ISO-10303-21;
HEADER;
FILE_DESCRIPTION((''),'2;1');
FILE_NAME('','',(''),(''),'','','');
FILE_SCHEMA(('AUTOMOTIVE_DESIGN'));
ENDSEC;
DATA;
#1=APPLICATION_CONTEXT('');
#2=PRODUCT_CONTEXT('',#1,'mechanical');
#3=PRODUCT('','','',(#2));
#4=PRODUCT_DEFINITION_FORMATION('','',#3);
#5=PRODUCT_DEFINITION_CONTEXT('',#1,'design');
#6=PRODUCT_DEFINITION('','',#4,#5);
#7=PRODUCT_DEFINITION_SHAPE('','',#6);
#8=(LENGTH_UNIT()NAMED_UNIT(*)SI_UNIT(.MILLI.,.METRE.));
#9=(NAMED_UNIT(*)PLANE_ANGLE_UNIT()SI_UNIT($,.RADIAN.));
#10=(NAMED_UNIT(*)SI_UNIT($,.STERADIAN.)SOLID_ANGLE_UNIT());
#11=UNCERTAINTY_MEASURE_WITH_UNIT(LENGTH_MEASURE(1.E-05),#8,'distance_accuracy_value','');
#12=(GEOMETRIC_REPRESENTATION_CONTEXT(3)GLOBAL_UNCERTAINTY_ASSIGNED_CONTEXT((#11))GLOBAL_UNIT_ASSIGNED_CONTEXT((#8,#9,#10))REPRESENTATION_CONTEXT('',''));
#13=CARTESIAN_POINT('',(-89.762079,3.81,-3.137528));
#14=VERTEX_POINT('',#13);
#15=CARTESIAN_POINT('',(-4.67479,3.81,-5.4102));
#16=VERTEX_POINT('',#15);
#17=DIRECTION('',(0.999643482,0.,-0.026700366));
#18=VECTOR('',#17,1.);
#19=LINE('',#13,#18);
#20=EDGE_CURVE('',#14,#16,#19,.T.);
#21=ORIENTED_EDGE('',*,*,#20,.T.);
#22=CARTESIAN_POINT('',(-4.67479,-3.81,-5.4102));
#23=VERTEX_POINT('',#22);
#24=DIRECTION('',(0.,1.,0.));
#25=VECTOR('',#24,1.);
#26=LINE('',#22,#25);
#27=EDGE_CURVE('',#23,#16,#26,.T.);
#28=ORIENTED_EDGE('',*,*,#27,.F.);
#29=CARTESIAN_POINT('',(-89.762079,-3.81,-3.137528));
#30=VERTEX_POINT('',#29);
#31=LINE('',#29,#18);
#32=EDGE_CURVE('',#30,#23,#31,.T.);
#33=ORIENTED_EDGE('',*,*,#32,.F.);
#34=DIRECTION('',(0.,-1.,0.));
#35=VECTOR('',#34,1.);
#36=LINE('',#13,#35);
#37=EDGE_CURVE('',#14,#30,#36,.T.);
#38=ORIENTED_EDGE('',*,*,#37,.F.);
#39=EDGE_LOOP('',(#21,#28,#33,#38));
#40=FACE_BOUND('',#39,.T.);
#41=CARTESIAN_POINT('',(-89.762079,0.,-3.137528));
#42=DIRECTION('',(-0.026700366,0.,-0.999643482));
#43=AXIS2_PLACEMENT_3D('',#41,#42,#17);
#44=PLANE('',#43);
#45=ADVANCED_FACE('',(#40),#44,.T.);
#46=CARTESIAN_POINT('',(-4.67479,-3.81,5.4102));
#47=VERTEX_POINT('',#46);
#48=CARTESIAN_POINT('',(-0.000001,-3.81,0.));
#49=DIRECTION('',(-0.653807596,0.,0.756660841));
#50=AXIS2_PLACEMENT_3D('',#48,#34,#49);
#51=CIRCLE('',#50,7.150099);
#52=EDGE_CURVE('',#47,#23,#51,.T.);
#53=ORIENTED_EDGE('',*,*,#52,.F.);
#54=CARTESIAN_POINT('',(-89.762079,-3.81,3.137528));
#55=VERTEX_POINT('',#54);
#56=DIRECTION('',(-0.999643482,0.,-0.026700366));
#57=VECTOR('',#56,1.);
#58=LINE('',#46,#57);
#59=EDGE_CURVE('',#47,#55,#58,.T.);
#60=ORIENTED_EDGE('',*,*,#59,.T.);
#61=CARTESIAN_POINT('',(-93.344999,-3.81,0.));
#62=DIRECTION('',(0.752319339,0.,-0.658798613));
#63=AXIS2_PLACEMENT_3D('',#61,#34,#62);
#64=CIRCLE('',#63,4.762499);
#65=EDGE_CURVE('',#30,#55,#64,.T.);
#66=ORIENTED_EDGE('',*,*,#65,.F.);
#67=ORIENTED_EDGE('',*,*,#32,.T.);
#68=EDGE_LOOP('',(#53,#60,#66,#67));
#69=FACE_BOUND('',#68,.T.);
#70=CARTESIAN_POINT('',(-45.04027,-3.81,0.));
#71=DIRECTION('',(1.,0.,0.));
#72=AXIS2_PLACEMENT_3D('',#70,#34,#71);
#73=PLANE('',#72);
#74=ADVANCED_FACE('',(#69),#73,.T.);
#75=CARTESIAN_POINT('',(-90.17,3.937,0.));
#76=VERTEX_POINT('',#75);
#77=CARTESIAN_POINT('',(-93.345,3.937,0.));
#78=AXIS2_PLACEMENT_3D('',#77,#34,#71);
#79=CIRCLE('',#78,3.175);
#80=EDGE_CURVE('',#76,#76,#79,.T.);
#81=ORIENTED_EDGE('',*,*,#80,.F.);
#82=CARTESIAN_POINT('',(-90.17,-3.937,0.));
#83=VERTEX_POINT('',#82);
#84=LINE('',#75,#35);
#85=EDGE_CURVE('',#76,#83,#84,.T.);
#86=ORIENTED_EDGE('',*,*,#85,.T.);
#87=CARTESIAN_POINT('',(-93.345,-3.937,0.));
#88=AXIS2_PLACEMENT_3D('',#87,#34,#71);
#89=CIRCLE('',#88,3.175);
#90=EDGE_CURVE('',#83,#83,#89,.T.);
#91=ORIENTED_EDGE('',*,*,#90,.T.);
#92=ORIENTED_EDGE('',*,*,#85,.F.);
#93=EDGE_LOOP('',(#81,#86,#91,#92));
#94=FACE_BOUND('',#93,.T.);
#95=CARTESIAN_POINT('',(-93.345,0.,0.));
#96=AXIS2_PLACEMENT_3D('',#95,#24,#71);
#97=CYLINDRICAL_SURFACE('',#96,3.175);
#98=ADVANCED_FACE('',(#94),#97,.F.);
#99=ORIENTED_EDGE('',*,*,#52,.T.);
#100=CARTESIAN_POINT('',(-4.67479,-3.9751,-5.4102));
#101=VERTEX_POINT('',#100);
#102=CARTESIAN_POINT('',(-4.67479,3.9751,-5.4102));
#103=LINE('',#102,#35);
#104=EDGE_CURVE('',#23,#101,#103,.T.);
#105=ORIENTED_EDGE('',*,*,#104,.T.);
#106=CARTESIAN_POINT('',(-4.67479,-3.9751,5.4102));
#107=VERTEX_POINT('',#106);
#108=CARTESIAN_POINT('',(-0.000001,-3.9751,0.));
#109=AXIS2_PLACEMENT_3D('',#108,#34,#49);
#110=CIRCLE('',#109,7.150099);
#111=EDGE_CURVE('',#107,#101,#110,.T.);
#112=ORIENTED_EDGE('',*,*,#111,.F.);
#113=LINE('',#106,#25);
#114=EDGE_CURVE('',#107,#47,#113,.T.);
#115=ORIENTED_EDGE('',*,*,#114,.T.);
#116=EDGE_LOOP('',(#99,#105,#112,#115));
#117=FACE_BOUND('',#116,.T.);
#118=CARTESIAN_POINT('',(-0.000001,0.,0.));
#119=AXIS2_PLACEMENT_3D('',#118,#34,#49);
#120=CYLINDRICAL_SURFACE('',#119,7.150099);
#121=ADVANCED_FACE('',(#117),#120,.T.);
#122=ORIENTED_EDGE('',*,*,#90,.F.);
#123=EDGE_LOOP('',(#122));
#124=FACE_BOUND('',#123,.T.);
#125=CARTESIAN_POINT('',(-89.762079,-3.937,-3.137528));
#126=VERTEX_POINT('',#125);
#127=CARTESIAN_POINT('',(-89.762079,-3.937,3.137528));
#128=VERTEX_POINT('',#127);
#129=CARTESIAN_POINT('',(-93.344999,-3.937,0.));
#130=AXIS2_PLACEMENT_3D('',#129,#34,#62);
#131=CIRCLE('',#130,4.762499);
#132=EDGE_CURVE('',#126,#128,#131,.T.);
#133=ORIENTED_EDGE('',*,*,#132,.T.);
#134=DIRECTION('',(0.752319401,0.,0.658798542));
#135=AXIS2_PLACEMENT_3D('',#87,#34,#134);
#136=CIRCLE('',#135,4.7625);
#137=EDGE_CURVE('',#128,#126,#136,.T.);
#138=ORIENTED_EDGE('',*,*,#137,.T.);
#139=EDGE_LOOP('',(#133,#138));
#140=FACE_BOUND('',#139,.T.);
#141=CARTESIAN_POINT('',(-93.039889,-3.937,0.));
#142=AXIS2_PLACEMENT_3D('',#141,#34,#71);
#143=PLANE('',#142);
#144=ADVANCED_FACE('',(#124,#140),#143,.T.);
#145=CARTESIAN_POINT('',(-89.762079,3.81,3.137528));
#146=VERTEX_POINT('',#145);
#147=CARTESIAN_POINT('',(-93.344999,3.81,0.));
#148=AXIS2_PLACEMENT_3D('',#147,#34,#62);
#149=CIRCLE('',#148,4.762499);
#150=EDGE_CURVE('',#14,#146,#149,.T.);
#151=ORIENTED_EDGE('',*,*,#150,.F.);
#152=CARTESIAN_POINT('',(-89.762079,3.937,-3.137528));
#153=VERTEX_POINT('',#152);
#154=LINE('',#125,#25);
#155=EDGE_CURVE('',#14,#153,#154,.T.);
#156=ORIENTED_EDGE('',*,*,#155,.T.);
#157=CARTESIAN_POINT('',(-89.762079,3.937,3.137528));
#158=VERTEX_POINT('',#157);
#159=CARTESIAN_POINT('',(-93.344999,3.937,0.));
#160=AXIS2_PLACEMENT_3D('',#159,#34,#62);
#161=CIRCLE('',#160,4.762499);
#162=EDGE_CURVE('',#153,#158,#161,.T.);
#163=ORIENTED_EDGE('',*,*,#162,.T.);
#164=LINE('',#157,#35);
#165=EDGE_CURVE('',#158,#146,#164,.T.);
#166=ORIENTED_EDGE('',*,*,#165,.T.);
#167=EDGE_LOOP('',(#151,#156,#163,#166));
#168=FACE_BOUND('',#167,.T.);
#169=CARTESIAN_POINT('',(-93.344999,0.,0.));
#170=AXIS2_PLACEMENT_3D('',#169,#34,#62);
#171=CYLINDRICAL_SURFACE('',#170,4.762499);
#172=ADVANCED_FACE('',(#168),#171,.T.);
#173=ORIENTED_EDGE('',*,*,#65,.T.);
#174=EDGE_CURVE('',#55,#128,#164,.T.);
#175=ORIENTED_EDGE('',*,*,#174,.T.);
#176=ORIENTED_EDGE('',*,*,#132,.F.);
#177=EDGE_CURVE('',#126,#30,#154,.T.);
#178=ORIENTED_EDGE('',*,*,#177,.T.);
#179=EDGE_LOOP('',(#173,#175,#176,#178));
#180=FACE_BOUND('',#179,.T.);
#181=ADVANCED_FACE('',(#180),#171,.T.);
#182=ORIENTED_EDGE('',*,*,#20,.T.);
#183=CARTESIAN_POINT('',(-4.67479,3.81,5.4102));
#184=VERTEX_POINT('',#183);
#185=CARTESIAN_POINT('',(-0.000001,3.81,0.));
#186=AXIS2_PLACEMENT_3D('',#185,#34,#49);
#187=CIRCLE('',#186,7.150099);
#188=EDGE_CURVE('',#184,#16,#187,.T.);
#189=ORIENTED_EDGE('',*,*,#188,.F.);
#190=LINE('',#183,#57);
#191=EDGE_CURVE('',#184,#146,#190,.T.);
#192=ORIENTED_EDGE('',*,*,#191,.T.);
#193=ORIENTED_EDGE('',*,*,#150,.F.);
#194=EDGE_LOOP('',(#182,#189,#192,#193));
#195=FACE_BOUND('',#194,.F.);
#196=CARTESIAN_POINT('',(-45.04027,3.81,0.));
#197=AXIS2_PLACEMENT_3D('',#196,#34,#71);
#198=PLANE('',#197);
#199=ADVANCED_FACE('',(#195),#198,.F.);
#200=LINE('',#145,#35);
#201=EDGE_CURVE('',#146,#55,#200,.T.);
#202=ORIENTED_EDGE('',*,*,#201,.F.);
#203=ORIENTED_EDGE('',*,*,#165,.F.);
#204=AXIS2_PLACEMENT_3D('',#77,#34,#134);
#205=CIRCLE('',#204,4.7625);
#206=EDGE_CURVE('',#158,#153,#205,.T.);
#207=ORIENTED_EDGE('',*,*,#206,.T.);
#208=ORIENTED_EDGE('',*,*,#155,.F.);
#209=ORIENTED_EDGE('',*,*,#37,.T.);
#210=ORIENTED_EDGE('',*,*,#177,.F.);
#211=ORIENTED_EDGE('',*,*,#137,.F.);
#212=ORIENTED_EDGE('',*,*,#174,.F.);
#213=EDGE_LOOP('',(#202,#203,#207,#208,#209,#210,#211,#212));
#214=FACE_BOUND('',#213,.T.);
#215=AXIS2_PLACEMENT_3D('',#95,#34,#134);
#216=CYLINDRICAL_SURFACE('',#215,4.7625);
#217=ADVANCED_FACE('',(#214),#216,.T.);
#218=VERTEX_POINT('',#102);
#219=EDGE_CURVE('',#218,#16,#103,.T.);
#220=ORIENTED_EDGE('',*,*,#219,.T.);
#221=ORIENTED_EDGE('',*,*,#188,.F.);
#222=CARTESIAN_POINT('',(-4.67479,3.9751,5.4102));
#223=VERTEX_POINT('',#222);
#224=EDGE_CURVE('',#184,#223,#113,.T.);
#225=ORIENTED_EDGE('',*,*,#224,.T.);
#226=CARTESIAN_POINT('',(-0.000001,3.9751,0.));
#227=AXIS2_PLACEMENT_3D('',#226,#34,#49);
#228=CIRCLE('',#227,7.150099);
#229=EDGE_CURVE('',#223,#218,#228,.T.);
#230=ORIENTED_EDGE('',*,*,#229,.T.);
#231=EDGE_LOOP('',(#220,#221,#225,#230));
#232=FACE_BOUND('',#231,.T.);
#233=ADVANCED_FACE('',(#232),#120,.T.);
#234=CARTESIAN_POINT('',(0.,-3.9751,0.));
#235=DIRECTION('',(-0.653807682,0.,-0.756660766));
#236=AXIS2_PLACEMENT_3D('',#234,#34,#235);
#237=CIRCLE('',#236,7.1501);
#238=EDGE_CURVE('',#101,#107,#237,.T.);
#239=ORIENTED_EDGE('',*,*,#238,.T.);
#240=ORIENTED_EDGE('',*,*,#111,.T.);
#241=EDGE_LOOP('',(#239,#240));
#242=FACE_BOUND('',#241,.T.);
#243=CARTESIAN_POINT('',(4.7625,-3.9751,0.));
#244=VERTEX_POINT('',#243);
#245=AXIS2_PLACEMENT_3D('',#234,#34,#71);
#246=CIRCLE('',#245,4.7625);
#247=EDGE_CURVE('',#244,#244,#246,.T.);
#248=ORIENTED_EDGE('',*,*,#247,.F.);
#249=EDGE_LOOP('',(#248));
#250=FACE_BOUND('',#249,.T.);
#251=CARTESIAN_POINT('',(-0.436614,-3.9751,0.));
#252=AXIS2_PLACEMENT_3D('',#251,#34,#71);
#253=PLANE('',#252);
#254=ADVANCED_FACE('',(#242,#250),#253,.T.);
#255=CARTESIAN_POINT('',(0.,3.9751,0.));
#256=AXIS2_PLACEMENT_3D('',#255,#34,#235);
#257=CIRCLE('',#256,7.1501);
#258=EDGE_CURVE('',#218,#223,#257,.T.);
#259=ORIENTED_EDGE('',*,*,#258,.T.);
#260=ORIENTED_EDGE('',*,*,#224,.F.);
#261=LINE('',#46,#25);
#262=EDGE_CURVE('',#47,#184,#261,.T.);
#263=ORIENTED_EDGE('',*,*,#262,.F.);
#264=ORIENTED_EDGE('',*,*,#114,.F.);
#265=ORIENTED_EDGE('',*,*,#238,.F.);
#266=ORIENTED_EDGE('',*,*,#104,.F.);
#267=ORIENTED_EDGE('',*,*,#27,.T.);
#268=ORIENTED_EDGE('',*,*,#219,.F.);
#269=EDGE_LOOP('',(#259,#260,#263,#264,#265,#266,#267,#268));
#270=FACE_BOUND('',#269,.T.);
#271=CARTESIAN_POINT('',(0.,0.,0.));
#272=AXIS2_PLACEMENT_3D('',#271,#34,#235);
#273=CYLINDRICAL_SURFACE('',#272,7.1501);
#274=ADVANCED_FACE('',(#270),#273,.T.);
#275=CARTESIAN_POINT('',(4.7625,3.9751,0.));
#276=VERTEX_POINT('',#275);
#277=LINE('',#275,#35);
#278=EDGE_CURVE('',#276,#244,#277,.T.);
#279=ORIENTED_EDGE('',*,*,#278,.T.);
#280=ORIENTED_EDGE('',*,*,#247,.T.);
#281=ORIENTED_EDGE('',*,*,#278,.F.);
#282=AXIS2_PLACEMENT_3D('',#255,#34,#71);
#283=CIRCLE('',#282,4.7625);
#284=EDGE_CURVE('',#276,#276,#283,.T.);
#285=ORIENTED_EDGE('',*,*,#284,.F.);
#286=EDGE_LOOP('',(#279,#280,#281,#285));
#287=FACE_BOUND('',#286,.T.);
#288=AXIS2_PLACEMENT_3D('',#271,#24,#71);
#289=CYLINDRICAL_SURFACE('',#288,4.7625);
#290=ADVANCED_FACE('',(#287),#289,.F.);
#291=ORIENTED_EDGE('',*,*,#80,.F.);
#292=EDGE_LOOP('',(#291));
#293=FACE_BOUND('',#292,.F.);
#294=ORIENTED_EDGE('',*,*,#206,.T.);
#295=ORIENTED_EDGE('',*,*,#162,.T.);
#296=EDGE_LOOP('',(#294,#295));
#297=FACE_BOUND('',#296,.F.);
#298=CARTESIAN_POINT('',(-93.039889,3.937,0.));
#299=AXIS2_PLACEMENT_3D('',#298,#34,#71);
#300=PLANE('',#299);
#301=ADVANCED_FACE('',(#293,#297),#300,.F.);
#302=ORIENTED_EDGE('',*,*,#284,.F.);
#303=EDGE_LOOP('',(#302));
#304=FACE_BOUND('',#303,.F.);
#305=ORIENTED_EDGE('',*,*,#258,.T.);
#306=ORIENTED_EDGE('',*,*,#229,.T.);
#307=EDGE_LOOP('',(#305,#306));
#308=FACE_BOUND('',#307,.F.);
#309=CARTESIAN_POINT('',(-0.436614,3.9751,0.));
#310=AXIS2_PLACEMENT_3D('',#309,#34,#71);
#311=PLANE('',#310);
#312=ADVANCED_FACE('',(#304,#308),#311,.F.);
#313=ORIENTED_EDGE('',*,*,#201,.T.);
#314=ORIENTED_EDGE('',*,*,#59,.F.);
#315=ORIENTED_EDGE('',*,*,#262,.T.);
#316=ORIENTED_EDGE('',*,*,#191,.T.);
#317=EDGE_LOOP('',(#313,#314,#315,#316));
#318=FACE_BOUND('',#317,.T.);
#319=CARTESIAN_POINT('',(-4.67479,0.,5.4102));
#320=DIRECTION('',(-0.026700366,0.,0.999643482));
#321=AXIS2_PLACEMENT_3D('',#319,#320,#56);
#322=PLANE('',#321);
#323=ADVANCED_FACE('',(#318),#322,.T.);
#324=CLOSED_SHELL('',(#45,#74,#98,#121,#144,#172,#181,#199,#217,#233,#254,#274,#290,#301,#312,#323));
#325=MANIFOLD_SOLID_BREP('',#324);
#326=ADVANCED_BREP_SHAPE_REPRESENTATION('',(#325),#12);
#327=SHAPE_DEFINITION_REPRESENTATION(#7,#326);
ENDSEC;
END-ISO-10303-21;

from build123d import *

# Parameters (mm, degrees)
F0_R     = 3.175
F0_R_2   = 4.7625
F1_DEPTH = 3.81
F2_R     = 4.7625
F3_DEPTH = 3.9751
F4_R     = 3.175
F5_DEPTH = 3.937


with BuildPart() as f1:
    # F0 (on Front) → F1 (new body, symmetric)
    with BuildSketch(Plane.XZ):
        with BuildLine():
            Line((-4.67479, 5.4102), (-89.762079, 3.137528))
            ThreePointArc((-89.762079, 3.137528), (-98.1075, 0), (-89.762079, -3.137528))
            Line((-89.762079, -3.137528), (-4.67479, -5.4102))
            ThreePointArc((-4.67479, -5.4102), (7.1501, 0), (-4.67479, 5.4102))
        make_face()
        with Locations((-93.345, 0)):
            Circle(F0_R, mode=Mode.SUBTRACT)
        Circle(F0_R_2, mode=Mode.SUBTRACT)
    extrude(amount=F1_DEPTH, both=True)

    # F2 (on Front) → F3 (join, symmetric)
    with BuildSketch(Plane.XZ):
        with BuildLine():
            ThreePointArc((-4.67479, 5.4102), (-7.1501, 0), (-4.67479, -5.4102))
            ThreePointArc((-4.67479, -5.4102), (7.1501, 0), (-4.67479, 5.4102))
        make_face()
        Circle(F2_R, mode=Mode.SUBTRACT)
    extrude(amount=F3_DEPTH, both=True)

    # F4 (on Front) → F5 (join, symmetric)
    with BuildSketch(Plane.XZ):
        with BuildLine():
            ThreePointArc((-89.762079, -3.137528), (-88.5825, 0), (-89.762079, 3.137528))
            ThreePointArc((-89.762079, 3.137528), (-98.1075, 0), (-89.762079, -3.137528))
        make_face()
        with Locations((-93.345, 0)):
            Circle(F4_R, mode=Mode.SUBTRACT)
    extrude(amount=F5_DEPTH, both=True)


solid = f1.part
